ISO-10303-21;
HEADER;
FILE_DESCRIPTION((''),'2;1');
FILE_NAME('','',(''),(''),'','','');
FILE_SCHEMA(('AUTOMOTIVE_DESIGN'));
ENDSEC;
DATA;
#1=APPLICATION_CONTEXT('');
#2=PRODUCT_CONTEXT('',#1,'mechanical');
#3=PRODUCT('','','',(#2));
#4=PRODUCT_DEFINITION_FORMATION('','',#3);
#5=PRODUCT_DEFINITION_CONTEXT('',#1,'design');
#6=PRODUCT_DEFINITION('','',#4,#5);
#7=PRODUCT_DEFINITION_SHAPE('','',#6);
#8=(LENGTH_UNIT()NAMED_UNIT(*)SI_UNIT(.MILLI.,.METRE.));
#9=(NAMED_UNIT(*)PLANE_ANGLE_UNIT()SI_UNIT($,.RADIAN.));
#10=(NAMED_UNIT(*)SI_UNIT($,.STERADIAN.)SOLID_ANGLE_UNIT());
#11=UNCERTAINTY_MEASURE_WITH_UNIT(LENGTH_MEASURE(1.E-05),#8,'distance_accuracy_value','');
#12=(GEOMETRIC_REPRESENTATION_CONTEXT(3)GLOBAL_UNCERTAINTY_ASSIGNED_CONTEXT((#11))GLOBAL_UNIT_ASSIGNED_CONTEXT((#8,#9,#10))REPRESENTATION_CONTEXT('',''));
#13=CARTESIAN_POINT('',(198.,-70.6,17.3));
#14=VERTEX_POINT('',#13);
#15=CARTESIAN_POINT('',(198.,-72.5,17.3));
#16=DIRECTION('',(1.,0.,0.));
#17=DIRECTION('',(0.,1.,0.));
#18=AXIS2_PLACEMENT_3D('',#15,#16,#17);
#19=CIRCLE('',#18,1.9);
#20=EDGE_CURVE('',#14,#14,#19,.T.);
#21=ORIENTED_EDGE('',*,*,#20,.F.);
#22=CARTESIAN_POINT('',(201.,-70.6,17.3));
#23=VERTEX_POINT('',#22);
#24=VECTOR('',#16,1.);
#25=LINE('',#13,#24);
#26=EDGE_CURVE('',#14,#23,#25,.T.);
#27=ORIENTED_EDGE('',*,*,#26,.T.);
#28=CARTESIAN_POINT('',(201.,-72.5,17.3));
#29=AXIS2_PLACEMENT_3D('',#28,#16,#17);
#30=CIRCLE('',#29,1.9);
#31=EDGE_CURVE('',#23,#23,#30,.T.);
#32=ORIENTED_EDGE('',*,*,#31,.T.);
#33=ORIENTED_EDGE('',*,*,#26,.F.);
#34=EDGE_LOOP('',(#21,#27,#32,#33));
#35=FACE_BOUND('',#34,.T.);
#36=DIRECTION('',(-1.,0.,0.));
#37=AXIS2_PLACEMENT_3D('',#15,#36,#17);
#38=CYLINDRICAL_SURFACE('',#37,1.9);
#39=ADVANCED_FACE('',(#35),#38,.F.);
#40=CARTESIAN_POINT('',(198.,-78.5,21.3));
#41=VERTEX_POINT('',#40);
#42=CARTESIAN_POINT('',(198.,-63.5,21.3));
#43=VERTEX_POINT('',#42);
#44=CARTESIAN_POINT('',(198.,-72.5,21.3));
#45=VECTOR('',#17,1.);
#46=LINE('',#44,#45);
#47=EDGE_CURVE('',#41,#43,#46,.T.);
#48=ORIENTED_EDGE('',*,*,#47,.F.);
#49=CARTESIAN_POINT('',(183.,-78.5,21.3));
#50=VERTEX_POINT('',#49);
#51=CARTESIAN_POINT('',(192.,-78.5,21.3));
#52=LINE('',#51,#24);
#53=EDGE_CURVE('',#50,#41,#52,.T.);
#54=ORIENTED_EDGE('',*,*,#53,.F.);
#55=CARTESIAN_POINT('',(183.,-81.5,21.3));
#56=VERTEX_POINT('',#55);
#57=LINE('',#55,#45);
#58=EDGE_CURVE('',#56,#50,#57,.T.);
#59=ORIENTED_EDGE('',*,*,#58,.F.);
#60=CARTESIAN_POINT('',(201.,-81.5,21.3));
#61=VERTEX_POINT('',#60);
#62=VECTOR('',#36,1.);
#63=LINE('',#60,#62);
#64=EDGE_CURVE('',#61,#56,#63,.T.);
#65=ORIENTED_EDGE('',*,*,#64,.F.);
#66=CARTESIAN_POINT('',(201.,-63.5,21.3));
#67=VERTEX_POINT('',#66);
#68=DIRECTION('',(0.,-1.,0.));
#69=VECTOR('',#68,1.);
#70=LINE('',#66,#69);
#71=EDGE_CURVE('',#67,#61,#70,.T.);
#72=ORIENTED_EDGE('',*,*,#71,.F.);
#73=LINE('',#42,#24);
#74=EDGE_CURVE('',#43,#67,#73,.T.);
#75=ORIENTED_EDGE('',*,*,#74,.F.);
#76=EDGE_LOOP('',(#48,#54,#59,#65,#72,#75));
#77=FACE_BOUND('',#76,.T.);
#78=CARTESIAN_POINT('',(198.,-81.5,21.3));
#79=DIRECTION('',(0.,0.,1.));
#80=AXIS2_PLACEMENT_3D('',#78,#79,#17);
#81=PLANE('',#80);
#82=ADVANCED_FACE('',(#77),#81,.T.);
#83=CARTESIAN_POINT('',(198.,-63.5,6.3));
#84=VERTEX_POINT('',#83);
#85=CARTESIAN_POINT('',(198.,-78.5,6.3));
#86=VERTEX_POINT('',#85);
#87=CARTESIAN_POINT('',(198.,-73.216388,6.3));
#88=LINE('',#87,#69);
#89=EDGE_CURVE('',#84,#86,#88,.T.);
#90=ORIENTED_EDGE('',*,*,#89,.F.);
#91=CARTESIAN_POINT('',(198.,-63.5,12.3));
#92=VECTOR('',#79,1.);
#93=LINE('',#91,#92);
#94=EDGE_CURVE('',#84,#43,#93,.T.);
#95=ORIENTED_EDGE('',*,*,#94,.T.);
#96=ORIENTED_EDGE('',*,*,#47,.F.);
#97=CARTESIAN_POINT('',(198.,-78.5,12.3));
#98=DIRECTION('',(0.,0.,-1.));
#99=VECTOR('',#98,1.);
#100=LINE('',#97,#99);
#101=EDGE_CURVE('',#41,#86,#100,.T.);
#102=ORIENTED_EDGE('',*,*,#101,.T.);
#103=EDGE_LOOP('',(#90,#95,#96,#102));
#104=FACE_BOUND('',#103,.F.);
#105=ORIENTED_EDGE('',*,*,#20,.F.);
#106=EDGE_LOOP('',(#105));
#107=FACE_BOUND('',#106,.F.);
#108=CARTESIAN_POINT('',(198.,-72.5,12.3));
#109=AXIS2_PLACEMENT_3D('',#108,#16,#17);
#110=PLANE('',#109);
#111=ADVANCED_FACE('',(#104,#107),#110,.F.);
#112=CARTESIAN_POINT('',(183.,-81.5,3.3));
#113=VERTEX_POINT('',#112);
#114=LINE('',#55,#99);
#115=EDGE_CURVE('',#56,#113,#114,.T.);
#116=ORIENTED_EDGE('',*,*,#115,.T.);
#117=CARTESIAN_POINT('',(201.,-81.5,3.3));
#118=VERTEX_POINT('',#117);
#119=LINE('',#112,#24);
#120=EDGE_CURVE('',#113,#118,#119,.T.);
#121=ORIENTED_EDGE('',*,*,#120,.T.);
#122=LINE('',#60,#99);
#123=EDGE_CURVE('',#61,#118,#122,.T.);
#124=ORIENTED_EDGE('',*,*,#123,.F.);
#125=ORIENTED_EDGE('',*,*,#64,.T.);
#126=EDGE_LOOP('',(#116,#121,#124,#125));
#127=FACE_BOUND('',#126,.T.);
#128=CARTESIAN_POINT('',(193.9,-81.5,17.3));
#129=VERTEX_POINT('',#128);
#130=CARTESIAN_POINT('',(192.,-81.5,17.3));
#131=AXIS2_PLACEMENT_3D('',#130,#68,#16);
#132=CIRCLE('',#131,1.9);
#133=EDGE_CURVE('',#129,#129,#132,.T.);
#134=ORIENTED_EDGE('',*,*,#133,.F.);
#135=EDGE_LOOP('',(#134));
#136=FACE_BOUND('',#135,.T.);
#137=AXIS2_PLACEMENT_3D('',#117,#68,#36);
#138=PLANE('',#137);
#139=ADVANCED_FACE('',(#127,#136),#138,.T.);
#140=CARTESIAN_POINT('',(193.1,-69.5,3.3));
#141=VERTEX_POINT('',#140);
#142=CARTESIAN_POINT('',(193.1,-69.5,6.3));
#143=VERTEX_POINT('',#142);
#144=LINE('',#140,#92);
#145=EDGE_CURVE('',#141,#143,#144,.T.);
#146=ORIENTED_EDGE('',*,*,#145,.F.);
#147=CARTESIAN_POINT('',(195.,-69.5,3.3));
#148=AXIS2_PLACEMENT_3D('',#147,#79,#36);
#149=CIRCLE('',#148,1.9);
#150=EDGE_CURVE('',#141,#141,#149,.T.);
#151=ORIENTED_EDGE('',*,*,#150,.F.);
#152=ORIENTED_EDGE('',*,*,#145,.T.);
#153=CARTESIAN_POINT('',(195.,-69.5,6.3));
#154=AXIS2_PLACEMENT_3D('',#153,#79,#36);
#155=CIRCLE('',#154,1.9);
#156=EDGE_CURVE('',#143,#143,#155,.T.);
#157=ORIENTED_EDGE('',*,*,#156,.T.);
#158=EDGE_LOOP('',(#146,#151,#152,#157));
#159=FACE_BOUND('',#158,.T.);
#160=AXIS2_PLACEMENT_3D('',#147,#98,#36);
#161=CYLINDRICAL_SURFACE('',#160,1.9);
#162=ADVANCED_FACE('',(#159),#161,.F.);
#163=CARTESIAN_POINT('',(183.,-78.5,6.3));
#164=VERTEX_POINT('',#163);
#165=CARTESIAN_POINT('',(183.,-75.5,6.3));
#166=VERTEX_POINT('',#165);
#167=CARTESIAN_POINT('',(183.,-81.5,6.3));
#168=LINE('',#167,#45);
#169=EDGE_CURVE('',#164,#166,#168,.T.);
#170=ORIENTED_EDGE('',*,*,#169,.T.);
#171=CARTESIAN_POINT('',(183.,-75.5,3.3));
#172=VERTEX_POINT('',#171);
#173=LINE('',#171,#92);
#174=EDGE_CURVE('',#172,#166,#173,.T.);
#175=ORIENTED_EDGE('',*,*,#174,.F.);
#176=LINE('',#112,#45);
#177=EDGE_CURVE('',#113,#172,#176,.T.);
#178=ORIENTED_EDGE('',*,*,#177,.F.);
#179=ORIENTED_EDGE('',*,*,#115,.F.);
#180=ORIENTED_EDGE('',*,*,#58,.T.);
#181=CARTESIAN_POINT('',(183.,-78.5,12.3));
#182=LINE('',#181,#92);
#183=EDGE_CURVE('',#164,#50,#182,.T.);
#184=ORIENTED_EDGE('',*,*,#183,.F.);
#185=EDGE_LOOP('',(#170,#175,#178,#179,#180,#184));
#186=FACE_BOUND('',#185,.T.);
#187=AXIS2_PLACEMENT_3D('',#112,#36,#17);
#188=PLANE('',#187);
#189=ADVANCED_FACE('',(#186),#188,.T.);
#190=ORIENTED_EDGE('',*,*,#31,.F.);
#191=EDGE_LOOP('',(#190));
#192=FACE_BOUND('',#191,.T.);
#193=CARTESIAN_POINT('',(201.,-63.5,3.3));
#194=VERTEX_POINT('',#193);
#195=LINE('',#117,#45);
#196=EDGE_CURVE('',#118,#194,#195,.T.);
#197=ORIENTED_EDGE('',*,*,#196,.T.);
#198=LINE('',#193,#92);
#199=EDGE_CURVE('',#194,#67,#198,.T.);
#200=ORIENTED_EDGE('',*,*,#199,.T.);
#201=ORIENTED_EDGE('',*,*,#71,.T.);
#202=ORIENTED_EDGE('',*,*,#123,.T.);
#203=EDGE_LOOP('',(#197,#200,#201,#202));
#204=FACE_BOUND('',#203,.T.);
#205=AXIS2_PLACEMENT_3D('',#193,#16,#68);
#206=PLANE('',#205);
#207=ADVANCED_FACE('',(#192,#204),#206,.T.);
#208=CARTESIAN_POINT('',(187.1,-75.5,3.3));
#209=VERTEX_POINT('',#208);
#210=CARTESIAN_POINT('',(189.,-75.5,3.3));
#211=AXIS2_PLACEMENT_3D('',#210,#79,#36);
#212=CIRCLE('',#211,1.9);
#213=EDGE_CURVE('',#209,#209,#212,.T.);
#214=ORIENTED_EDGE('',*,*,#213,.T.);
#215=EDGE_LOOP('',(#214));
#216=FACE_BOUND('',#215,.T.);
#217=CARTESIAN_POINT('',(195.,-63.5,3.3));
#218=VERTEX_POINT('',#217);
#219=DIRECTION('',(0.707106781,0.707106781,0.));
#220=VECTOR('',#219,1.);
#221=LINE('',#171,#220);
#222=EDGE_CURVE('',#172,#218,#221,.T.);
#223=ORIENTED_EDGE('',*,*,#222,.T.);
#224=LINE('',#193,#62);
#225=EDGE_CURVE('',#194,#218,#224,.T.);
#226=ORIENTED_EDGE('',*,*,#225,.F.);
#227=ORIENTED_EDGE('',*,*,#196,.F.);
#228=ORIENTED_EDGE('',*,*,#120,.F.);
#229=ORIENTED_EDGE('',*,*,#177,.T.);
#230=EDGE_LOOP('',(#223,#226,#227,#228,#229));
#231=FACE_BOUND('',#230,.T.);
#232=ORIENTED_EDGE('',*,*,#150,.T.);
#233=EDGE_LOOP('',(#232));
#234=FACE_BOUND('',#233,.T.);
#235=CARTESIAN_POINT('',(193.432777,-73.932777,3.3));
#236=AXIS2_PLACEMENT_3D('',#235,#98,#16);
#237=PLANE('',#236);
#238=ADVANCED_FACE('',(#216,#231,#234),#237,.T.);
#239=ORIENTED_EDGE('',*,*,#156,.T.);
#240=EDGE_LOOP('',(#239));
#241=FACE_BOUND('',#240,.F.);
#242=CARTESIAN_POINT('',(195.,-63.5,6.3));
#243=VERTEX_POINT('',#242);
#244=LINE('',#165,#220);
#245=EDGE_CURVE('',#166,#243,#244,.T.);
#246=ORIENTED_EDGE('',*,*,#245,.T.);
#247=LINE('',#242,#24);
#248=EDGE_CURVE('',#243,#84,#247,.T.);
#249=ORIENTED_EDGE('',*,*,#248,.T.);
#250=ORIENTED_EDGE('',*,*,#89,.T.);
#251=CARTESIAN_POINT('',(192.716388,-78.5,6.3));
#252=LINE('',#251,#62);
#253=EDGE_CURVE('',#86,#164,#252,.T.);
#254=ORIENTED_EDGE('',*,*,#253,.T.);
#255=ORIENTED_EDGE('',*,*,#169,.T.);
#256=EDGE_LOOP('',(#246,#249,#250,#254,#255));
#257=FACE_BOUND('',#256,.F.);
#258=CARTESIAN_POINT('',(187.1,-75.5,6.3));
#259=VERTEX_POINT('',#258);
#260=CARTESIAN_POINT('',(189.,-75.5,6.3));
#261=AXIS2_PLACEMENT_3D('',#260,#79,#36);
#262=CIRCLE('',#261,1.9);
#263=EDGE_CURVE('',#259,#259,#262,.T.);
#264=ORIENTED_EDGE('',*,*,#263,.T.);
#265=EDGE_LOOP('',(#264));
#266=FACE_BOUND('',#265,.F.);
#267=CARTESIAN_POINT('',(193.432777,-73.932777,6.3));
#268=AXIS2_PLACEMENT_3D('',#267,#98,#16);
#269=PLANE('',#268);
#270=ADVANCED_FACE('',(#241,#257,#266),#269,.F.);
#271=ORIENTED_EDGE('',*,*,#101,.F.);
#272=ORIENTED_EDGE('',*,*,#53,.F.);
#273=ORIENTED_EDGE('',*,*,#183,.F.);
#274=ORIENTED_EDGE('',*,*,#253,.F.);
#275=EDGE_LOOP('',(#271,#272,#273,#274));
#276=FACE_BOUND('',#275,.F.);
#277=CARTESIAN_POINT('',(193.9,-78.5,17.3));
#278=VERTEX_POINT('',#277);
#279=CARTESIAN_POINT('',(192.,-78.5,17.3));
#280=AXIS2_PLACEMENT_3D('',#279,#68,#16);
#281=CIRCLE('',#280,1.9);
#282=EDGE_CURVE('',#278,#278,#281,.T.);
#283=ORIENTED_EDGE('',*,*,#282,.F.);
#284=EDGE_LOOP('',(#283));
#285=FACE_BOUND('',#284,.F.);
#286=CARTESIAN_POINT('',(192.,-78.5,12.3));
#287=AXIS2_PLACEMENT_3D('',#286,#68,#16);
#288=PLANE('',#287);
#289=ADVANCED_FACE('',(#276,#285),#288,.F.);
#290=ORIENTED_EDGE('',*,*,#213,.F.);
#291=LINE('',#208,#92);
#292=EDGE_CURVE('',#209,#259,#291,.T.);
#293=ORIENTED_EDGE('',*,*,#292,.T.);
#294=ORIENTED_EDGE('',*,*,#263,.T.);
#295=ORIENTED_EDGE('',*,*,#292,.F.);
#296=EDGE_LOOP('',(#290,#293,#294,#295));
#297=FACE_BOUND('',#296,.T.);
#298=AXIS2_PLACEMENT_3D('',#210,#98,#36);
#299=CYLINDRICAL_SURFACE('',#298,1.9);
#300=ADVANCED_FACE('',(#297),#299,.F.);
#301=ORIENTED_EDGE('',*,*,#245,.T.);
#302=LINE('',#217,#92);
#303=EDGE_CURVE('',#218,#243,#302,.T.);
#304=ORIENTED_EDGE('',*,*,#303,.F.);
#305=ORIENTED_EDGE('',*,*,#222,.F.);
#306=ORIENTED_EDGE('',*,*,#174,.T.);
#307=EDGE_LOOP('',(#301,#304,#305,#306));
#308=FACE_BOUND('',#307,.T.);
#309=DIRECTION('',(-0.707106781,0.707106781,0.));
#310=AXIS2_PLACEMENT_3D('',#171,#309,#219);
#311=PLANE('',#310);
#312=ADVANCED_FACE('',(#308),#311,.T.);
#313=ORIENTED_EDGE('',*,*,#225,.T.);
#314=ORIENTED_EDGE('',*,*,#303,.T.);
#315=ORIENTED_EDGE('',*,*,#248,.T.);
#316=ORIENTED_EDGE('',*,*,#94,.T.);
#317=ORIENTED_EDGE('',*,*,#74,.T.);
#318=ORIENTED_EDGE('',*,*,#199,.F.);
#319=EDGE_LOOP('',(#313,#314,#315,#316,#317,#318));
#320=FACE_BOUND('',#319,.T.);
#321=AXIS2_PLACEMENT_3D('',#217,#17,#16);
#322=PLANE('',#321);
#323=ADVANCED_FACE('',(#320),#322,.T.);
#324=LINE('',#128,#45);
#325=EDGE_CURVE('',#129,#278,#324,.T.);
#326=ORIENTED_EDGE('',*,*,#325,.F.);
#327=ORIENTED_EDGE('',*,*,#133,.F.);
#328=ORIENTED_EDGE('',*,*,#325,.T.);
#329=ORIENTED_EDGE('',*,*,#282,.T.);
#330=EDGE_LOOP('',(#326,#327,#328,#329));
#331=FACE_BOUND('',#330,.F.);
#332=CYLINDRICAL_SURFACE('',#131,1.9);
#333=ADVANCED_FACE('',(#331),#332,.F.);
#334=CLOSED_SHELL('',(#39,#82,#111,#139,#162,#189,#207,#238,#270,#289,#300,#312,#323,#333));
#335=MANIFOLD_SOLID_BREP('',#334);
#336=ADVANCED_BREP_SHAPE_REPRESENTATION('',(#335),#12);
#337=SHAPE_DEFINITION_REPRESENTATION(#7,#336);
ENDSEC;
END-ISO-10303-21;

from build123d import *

# Parameters (mm, degrees)
SKETCH009_R             = 1.9
PAD006_DEPTH            = 3
SKETCH010_W             = 18
SKETCH010_H             = 18
SKETCH010_R             = 1.9
PAD007_DEPTH            = 3
SKETCH011_W             = 18
SKETCH011_H             = 18
SKETCH011_R             = 1.9
PAD008_DEPTH            = 3
BODY008_PLACEMENT_ANGLE = 180


with BuildPart() as part:
    # Sketch009 → Pad006 (new body)
    with BuildSketch(Plane.XY):
        Polygon((0, -18), (0, 0), (18, 0), (18, -6), (6, -18), align=None)
        with Locations((6, -12)):
            Circle(SKETCH009_R, mode=Mode.SUBTRACT)
        with Locations((12, -6)):
            Circle(SKETCH009_R, mode=Mode.SUBTRACT)
    extrude(amount=PAD006_DEPTH)

    # Sketch010 (on Face1 of Pad006) → Pad007 (join)
    with BuildSketch(Plane(origin=(3, 0, 0), x_dir=(0, -1, 0), z_dir=(-1, 0, 0))):
        with Locations((9, 9)):
            Rectangle(SKETCH010_W, SKETCH010_H)
        with Locations((9, 14)):
            Circle(SKETCH010_R, mode=Mode.SUBTRACT)
    extrude(amount=PAD007_DEPTH)

    # Sketch011 (on Face2 of Pad006) → Pad008 (join)
    with BuildSketch(Plane(origin=(0, 0, 0), x_dir=(-1, 0, 0), z_dir=(0, 1, 0))):
        with Locations((-9, 9)):
            Rectangle(SKETCH011_W, SKETCH011_H)
        with Locations((-9, 14)):
            Circle(SKETCH011_R, mode=Mode.SUBTRACT)
    extrude(amount=-PAD008_DEPTH)


with BuildPart() as part_1:
    # Body005 placement: moved
    add(part.part.moved(Location((25, 0, 3.3))))


with BuildPart() as part_2:
    # Body008 placement: moved
    add(part_1.part.moved(Location((226, -81.5, 0))).rotate(Axis((226, -81.5, 0), (0, 0, 1)), BODY008_PLACEMENT_ANGLE))


solid = part_2.part
